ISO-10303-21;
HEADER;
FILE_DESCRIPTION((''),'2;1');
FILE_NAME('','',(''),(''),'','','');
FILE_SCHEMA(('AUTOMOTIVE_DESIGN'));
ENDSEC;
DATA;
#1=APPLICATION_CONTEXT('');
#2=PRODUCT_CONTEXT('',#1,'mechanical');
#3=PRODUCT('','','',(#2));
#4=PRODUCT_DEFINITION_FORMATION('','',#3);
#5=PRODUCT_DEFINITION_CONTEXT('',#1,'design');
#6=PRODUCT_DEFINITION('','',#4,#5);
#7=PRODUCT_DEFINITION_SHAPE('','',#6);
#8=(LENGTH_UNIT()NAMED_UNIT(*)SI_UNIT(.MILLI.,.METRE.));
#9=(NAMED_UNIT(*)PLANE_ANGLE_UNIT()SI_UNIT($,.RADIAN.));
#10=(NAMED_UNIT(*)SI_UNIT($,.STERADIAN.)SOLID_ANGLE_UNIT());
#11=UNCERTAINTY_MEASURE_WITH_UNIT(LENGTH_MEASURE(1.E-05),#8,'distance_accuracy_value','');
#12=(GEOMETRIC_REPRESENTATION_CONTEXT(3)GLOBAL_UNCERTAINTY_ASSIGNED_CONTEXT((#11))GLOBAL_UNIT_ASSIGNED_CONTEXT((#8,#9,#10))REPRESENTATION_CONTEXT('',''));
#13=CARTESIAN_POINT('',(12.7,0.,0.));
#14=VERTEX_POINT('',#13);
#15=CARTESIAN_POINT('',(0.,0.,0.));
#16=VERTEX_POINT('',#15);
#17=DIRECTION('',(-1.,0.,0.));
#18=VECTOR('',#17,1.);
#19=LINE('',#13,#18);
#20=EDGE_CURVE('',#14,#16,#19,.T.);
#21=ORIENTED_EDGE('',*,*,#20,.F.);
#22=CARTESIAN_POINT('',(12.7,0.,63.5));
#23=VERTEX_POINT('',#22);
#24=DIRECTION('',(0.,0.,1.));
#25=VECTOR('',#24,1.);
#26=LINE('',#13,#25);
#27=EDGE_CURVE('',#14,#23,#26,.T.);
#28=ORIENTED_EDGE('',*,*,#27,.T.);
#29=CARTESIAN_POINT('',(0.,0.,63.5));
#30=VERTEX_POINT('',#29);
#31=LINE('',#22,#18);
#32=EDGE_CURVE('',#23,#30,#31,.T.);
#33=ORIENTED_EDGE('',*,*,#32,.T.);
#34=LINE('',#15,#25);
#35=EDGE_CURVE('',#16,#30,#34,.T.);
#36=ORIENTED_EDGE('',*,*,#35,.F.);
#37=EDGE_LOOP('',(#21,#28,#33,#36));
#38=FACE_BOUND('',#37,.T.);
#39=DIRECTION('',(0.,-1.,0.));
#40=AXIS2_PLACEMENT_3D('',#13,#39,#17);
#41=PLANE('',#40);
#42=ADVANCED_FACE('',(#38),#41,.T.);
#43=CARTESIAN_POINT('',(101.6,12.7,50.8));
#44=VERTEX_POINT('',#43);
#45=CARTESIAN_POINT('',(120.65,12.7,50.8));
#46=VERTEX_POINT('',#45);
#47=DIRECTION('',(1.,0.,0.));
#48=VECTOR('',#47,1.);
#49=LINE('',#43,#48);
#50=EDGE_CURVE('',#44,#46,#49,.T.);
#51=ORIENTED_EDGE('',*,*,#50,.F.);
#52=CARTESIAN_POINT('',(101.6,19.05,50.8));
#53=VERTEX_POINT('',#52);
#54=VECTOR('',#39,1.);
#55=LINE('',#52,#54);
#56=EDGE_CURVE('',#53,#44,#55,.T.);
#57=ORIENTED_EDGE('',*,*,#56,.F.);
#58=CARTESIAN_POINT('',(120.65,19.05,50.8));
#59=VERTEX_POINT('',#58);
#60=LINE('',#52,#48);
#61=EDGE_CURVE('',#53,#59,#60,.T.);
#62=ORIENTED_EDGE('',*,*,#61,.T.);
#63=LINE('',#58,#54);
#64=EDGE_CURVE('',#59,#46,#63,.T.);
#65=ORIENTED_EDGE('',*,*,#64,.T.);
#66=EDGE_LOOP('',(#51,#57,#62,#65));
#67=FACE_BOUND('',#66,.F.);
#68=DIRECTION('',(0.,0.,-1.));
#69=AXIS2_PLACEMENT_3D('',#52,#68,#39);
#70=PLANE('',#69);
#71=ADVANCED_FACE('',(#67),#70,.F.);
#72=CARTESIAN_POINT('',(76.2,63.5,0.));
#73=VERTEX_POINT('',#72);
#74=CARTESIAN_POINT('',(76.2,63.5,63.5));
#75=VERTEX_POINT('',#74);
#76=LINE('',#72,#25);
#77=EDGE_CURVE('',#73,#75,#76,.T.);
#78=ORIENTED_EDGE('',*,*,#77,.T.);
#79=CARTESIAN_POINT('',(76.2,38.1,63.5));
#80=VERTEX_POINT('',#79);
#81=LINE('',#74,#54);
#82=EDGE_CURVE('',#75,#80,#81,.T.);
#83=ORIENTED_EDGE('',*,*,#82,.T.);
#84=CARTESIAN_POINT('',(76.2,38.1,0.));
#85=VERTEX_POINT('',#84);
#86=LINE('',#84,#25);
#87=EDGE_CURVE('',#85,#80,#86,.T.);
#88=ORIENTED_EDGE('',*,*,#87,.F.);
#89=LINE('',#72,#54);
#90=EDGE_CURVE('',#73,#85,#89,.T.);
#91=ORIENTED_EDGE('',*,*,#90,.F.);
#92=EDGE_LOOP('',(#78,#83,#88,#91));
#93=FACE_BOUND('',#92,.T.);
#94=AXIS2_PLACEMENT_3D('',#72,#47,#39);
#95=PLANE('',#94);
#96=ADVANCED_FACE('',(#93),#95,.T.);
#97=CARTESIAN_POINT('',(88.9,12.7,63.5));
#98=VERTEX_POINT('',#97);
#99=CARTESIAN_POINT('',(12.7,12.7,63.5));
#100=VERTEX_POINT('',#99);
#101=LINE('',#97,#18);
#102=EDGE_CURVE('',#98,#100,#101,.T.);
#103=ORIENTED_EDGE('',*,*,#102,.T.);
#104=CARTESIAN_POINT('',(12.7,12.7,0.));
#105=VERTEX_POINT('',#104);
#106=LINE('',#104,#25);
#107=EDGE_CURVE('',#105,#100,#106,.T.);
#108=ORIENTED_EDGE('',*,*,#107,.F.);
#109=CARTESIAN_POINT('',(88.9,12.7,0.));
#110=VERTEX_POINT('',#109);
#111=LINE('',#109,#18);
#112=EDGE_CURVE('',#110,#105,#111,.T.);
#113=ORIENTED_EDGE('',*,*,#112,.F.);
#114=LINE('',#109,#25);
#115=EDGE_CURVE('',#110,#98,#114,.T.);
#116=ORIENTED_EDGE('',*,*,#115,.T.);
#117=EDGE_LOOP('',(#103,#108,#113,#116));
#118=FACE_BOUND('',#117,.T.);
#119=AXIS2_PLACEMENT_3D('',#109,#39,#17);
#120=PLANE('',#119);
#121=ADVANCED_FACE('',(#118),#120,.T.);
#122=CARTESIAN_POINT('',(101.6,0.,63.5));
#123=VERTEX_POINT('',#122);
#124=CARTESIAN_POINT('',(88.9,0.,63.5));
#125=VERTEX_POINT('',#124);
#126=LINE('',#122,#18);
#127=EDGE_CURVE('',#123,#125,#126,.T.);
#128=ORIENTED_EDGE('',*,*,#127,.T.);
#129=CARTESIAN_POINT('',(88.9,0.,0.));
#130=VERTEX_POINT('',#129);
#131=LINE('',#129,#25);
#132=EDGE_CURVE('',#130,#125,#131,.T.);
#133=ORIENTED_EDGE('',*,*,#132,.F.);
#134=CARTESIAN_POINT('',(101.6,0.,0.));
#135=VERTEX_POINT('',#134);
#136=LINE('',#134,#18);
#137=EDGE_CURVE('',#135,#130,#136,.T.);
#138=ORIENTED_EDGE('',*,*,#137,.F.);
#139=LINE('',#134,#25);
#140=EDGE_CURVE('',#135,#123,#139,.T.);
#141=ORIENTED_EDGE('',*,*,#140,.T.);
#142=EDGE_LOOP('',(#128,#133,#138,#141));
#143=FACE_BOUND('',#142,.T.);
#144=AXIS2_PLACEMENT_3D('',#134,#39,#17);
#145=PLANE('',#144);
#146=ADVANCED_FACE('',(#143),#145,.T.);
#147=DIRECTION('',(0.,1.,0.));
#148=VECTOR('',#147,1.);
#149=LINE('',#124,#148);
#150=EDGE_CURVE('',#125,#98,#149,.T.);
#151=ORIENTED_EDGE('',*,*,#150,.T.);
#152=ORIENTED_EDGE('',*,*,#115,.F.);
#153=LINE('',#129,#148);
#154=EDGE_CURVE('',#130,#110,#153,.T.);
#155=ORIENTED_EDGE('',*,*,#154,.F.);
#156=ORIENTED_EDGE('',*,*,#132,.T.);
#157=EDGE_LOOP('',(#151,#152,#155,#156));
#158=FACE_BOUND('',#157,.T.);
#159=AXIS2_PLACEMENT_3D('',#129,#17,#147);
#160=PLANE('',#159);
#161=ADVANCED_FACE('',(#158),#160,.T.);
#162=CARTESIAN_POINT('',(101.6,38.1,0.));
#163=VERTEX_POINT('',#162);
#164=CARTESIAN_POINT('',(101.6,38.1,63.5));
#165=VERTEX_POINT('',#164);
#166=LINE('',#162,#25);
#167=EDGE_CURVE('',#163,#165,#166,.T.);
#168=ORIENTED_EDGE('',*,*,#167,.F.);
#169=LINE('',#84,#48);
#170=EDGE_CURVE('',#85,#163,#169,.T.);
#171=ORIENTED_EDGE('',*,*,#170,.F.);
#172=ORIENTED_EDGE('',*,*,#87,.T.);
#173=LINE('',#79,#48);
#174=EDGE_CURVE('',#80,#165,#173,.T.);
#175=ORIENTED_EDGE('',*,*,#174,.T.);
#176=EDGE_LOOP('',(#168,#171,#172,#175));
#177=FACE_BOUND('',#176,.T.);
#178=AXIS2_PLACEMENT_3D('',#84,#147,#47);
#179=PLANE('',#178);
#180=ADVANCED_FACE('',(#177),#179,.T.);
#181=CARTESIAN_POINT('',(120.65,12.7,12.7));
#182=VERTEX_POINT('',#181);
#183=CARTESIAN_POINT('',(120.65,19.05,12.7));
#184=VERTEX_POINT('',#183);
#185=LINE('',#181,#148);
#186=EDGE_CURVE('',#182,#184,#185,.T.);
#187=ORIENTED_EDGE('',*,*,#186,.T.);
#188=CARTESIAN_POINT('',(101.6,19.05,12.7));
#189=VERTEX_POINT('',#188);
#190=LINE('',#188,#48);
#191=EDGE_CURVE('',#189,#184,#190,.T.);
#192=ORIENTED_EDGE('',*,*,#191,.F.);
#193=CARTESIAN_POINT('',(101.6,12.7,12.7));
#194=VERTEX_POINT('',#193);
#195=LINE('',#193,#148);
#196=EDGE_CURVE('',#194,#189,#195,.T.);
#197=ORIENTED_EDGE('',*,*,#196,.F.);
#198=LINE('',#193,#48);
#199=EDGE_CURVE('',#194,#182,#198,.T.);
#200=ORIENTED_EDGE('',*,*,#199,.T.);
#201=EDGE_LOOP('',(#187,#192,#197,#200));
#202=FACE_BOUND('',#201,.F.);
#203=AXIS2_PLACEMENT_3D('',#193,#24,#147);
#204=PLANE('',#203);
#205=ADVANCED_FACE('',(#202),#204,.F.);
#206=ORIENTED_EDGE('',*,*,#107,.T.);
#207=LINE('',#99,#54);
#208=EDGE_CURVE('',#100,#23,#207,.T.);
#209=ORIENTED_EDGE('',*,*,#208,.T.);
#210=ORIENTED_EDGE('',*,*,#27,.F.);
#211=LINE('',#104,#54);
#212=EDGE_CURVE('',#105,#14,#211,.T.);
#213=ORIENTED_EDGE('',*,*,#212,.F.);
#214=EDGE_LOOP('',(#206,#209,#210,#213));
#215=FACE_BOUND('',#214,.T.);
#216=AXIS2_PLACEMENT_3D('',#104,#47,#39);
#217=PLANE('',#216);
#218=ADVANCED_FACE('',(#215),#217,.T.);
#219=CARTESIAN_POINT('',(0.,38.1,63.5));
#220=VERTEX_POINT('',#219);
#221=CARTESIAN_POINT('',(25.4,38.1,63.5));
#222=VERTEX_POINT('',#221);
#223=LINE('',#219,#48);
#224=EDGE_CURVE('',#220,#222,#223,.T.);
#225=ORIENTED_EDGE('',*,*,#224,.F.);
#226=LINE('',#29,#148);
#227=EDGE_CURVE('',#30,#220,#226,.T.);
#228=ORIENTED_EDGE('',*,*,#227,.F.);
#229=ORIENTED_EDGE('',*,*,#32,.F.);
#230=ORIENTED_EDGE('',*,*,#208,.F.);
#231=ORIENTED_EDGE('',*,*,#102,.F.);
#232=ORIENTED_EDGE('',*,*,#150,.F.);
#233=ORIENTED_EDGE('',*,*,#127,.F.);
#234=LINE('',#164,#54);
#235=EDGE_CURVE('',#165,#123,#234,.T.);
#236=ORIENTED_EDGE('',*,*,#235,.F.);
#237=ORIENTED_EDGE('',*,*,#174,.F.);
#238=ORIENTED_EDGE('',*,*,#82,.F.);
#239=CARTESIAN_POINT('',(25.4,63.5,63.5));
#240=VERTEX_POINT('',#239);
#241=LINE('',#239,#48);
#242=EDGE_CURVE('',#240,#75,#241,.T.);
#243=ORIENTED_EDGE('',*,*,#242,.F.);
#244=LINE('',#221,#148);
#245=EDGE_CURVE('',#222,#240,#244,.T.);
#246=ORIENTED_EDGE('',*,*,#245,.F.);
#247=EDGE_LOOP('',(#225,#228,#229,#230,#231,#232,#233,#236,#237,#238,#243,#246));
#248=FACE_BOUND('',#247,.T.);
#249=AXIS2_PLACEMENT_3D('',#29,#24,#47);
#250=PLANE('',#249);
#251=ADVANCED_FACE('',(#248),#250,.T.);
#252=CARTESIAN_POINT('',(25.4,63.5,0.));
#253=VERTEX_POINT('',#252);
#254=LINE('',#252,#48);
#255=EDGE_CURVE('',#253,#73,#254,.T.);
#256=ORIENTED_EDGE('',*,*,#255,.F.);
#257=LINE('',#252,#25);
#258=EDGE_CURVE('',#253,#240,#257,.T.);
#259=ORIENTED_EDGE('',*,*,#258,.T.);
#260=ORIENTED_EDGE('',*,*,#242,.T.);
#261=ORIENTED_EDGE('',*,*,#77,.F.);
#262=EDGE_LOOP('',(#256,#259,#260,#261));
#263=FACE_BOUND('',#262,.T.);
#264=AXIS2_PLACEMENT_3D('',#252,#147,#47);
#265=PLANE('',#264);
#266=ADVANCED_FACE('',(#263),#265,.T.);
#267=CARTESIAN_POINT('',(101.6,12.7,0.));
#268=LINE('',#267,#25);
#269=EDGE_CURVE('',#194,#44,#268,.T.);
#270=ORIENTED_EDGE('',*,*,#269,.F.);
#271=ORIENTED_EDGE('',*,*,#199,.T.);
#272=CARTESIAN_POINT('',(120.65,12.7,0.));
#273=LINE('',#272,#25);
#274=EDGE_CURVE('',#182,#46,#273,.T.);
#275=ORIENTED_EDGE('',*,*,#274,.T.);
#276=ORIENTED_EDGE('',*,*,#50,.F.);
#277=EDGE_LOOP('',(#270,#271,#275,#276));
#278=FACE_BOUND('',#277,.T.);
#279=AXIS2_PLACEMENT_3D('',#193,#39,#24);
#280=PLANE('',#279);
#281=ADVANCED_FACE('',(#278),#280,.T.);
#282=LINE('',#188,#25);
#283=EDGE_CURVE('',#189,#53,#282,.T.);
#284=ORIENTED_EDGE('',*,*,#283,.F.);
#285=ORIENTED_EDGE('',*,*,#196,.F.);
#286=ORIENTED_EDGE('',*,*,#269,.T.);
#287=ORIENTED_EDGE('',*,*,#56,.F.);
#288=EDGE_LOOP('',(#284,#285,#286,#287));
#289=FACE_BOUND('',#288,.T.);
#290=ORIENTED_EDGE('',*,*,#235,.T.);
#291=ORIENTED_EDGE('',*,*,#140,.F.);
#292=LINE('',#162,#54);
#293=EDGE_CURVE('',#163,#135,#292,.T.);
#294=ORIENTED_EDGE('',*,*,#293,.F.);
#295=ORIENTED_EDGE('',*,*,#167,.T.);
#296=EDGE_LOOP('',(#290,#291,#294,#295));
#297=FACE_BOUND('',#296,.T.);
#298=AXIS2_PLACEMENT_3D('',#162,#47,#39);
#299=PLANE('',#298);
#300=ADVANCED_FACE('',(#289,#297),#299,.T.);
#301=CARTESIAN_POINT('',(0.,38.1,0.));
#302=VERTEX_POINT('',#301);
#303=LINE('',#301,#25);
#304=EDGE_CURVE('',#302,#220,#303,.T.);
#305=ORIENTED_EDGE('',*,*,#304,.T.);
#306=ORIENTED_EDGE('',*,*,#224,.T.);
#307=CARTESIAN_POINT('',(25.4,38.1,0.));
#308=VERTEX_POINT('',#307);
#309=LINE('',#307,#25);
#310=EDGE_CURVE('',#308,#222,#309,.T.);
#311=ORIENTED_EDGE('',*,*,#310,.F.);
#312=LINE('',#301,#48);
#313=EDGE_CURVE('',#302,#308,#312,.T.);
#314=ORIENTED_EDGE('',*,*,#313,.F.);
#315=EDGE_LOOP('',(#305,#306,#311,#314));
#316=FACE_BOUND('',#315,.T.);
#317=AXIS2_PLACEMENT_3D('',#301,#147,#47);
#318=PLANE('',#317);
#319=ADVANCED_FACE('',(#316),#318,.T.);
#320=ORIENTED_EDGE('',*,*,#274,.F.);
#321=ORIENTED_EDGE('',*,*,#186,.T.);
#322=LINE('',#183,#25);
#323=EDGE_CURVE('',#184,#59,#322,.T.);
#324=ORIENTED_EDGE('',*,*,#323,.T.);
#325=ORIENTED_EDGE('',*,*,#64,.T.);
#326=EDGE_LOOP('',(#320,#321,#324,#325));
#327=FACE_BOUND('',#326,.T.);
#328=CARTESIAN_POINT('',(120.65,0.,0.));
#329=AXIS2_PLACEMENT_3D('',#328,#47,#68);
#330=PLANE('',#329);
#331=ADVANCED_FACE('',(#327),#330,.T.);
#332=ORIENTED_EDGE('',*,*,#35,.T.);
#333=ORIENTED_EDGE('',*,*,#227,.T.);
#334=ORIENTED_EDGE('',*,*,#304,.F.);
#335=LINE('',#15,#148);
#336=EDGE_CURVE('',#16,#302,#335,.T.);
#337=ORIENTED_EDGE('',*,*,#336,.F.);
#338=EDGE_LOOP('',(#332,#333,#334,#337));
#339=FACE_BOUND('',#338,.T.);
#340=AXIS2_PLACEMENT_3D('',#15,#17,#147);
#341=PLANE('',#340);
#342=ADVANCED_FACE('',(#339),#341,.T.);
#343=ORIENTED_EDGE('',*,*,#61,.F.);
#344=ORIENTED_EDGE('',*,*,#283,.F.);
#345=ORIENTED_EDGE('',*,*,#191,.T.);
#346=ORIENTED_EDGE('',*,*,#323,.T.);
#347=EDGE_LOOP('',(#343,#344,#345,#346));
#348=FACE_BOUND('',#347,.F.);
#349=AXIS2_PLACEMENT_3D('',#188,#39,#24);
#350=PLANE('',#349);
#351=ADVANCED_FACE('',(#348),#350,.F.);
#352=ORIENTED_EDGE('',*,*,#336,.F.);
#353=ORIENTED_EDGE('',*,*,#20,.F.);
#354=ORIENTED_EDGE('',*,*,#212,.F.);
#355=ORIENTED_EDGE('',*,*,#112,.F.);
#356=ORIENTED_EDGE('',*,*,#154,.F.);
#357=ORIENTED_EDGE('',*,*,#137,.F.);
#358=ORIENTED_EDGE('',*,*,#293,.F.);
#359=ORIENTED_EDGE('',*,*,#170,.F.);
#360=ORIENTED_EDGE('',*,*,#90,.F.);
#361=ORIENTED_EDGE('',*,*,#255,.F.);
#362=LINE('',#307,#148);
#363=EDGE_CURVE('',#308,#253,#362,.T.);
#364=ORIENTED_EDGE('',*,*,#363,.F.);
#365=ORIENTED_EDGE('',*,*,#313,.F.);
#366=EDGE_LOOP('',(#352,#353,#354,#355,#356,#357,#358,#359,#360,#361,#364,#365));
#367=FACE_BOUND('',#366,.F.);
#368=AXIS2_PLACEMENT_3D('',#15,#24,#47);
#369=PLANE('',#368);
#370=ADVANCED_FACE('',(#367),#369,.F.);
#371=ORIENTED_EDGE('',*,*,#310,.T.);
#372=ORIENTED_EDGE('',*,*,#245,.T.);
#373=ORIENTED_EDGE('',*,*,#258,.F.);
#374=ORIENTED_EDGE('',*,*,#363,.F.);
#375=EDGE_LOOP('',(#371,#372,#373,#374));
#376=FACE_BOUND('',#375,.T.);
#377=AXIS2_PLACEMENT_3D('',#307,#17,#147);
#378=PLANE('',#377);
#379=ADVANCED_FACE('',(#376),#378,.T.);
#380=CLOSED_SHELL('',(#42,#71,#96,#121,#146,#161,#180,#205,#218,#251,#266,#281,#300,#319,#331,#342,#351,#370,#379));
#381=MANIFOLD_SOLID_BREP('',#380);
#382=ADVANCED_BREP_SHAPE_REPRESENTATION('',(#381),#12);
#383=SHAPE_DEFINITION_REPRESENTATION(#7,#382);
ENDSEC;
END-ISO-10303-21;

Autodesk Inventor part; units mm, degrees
ref_plane "YZ Plane" through (0, 0, 0) normal (1, 0, 0) x (0, 1, 0)
ref_plane "XZ Plane" through (0, 0, 0) normal (0, 1, 0) x (-1, 0, 0)
ref_plane "XY Plane" through (0, 0, 0) normal (0, 0, 1) x (1, 0, 0)
sketch "Sketch1" plane through (0, 0, 0) normal (0, 0, 1) x (1, 0, 0)
  line L0 (0, 0) -> (0, 38.1)
  line L1 (0, 38.1) -> (25.4, 38.1)
  line L2 (25.4, 38.1) -> (25.4, 63.5)
  line L3 (25.4, 63.5) -> (76.2, 63.5)
  line L4 (76.2, 63.5) -> (76.2, 38.1)
  line L5 (76.2, 38.1) -> (101.6, 38.1)
  line L6 (101.6, 38.1) -> (101.6, 0)
  line L7 (101.6, 0) -> (88.9, 0)
  line L8 (88.9, 0) -> (88.9, 12.7)
  line L9 (88.9, 12.7) -> (12.7, 12.7)
  line L10 (12.7, 12.7) -> (12.7, 0)
  line L11 (12.7, 0) -> (0, 0)
  dimension "d0" = 38.1
  dimension "d1" = 25.4
  dimension "d2" = 50.8
  dimension "d3" = 76.2
  dimension "d4" = 12.7
  dimension "d5" = 12.7
  dimension "d6" = 12.7
  dimension "d7" = 12.7
  dimension "d8" = 25.4
extrude "Extrusion1" add sketch "Sketch1" along normal blind 63.5
sketch "Sketch2" plane through (101.6, 0, 0) normal (1, 0, 0) x (0, 0, -1)
  line L0 (-50.8, 19.05) -> (-50.8, 12.7)
  line L1 (0, 12.7) -> (-63.5, 12.7) projected
  line L2 (-12.7, 12.7) -> (-12.7, 19.05)
  line L3 (-12.7, 19.05) -> (-50.8, 19.05)
  point P0 (0, 0)
  dimension "d13" = 38.1
  dimension "d14" = 6.35
extrude "Extrusion2" add sketch "Sketch2" along normal blind 19.05
properties part number "4.1e Q1"
